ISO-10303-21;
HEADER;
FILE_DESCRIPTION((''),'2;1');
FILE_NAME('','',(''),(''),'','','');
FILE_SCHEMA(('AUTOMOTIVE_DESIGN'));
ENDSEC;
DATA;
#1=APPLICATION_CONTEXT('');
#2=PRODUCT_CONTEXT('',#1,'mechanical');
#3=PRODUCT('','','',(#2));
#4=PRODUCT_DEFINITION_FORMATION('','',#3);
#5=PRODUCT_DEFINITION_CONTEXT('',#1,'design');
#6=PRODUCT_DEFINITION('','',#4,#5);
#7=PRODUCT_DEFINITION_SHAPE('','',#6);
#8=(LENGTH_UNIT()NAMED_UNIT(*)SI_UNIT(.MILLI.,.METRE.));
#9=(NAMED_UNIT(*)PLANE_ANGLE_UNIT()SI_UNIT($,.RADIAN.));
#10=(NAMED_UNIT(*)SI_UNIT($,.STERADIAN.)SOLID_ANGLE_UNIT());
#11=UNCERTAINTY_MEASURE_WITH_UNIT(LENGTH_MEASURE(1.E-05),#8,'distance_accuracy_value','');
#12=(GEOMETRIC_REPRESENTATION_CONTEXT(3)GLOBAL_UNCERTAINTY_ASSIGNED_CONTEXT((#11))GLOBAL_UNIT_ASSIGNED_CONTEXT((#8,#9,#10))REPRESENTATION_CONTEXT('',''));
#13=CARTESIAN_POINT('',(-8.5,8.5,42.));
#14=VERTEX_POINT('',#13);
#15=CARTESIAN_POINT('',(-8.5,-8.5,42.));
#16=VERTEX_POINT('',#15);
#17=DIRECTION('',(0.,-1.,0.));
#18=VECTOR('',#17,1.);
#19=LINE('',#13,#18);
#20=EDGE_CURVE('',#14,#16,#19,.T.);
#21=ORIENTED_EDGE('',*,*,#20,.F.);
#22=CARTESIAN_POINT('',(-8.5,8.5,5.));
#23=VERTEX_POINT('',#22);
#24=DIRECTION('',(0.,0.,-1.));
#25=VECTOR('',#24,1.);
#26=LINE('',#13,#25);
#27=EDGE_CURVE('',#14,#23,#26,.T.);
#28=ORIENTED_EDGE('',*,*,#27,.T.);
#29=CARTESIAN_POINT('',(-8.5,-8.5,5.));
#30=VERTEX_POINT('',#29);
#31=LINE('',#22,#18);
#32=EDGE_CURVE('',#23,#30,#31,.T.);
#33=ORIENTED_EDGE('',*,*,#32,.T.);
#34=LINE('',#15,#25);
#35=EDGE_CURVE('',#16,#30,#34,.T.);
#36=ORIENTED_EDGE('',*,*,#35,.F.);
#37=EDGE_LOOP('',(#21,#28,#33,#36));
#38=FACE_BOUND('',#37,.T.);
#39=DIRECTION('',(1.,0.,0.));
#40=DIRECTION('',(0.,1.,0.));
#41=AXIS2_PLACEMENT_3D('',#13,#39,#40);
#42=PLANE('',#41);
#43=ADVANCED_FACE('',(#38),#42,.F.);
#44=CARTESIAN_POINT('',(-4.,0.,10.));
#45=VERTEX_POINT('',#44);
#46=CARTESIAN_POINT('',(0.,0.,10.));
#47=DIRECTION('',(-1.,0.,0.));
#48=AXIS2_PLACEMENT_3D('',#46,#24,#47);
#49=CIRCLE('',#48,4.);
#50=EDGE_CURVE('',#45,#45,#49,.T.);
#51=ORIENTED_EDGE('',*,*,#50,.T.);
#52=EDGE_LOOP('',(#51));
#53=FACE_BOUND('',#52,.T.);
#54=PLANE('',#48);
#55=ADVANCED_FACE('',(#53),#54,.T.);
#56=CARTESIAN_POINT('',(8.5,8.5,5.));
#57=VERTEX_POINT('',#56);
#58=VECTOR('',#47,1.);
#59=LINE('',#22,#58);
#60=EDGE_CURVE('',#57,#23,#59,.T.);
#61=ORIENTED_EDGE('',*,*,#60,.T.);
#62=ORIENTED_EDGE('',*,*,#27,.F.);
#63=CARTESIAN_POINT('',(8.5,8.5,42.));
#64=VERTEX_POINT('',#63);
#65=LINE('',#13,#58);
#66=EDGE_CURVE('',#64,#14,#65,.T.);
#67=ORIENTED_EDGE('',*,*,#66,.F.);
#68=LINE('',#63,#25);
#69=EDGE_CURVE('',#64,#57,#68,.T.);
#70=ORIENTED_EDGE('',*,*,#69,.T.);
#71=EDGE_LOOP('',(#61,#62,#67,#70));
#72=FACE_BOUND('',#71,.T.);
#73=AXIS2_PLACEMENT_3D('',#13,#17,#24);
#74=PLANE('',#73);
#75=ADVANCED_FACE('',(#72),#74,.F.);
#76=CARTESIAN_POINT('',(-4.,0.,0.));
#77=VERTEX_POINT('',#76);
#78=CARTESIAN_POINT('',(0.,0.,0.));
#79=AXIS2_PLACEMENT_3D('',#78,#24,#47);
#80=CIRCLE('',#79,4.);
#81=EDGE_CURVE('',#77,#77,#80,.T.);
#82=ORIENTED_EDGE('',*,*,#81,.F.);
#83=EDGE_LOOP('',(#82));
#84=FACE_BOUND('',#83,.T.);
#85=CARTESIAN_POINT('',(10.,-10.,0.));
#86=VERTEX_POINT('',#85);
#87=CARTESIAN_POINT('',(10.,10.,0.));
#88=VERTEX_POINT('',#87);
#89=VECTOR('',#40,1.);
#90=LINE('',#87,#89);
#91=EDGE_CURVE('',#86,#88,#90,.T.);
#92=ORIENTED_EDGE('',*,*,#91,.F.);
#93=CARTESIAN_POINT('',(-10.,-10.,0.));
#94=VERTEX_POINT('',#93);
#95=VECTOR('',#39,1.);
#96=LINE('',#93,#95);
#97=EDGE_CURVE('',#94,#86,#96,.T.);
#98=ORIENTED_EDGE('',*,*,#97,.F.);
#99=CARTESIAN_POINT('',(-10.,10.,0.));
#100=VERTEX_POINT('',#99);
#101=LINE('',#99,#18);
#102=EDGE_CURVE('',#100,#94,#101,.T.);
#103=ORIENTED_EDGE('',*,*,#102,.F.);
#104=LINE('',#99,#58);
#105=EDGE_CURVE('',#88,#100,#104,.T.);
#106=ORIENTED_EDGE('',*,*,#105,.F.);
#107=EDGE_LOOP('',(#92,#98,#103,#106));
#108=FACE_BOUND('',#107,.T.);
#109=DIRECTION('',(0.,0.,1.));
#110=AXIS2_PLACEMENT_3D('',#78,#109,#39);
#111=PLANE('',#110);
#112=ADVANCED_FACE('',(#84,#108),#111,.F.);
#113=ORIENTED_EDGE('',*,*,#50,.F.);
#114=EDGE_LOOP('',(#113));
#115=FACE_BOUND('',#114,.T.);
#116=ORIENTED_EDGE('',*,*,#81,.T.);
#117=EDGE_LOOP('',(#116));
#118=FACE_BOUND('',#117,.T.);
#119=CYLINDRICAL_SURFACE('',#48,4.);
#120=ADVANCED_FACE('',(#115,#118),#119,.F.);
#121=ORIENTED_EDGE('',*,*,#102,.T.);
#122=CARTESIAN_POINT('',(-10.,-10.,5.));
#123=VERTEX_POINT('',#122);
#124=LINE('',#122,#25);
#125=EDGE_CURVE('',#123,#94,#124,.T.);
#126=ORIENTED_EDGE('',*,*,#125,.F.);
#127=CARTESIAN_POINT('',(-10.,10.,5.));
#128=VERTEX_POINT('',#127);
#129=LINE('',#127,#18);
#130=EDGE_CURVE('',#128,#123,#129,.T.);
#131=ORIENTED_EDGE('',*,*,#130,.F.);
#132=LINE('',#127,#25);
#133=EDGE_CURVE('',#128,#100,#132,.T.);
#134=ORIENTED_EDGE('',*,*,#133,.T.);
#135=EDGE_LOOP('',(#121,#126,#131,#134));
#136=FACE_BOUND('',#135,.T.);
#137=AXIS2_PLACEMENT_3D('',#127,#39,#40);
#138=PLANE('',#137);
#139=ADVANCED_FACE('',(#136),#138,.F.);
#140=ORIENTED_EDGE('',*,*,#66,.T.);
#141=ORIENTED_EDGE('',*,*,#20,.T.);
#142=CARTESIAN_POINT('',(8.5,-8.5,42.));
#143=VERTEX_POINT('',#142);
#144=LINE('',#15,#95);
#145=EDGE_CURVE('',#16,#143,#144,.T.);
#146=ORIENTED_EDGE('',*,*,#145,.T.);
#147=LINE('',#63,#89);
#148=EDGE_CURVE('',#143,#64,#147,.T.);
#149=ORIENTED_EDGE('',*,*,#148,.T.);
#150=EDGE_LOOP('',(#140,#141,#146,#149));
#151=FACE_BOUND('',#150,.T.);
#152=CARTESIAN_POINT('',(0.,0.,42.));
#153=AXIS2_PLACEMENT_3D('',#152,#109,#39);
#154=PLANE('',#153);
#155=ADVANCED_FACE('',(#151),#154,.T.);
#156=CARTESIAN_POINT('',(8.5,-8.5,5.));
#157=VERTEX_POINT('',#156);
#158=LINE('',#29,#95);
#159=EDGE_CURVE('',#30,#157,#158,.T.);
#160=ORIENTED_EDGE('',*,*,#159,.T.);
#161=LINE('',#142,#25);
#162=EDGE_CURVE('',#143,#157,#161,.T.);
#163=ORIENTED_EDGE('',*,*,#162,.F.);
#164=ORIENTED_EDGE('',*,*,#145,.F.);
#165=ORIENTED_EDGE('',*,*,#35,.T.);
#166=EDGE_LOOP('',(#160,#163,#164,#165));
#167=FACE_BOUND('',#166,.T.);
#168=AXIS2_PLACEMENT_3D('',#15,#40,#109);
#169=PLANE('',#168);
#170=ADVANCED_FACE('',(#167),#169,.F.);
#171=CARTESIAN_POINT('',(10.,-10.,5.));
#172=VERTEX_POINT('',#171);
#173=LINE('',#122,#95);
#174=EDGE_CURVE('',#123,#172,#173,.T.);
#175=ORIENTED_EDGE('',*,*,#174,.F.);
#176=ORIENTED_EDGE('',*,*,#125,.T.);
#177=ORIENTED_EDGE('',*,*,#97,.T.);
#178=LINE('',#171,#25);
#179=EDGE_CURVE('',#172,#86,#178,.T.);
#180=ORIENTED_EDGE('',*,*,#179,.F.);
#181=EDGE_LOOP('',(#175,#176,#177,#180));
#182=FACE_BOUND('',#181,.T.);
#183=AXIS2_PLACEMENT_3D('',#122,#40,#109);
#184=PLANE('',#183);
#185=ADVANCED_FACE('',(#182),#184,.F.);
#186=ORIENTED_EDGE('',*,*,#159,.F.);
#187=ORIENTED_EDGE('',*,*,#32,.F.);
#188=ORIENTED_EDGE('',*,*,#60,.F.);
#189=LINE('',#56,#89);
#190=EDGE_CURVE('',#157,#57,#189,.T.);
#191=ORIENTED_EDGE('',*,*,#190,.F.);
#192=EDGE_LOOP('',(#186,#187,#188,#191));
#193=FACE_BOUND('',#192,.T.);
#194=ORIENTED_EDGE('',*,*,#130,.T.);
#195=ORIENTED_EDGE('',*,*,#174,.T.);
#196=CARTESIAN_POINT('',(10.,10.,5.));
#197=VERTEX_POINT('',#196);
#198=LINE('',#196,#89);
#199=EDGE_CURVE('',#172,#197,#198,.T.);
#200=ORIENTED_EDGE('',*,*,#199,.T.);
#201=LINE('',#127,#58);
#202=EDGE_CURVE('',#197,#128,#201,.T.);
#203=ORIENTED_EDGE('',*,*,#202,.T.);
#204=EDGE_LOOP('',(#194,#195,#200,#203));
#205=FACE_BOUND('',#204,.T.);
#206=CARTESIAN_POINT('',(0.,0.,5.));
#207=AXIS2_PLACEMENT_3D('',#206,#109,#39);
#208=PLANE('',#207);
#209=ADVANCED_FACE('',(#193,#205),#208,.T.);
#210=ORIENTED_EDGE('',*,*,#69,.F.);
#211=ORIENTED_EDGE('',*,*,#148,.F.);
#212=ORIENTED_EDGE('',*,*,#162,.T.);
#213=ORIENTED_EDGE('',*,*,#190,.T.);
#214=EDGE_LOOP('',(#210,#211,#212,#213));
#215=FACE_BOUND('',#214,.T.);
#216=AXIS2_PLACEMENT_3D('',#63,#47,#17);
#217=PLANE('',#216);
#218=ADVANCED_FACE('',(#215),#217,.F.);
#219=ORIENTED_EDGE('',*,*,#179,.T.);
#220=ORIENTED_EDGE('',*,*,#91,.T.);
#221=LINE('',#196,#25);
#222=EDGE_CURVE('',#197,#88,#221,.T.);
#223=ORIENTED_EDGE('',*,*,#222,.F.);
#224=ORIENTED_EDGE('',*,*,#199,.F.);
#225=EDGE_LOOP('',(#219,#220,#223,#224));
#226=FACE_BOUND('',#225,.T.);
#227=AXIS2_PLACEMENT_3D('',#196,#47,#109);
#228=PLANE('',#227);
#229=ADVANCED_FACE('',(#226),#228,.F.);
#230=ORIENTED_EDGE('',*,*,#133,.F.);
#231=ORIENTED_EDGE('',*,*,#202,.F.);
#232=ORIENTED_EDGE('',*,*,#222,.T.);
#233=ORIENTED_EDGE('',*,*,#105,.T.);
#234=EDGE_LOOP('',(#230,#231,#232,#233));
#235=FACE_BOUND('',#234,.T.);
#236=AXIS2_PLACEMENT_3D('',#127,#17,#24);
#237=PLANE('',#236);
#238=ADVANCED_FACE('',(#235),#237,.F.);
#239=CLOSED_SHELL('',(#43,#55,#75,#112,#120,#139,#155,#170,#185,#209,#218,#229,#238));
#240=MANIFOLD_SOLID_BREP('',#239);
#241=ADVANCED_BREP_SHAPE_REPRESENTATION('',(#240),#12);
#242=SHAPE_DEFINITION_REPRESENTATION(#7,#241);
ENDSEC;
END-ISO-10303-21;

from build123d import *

# Parameters (mm, degrees)
SKETCH_1_W          = 20
SKETCH_1_H          = 20
EXTRUDE_1_DEPTH     = 5
SKETCH_2_W          = 17
SKETCH_2_H          = 17
EXTRUDE_2_DEPTH     = 37
SKETCH_3_R          = 4
CUT_EXTRUDE_1_DEPTH = 10


with BuildPart() as part:
    # ｽｹｯﾁ1 → ﾎﾞｽ - 押し出し1 (new body)
    with BuildSketch(Plane.XY):
        Rectangle(SKETCH_1_W, SKETCH_1_H)
    extrude(amount=EXTRUDE_1_DEPTH)

    # ｽｹｯﾁ2 → ﾎﾞｽ - 押し出し2 (add)
    with BuildSketch(Plane.XY.offset(5)):
        Rectangle(SKETCH_2_W, SKETCH_2_H)
    extrude(amount=EXTRUDE_2_DEPTH)

    # ｽｹｯﾁ3 → ｶｯﾄ - 押し出し1 (cut)
    with BuildSketch(Plane(origin=(0, 0, 0), x_dir=(-1, 0, 0), z_dir=(0, 0, -1))):
        Circle(SKETCH_3_R)
    extrude(amount=-CUT_EXTRUDE_1_DEPTH, mode=Mode.SUBTRACT)


solid = part.part
